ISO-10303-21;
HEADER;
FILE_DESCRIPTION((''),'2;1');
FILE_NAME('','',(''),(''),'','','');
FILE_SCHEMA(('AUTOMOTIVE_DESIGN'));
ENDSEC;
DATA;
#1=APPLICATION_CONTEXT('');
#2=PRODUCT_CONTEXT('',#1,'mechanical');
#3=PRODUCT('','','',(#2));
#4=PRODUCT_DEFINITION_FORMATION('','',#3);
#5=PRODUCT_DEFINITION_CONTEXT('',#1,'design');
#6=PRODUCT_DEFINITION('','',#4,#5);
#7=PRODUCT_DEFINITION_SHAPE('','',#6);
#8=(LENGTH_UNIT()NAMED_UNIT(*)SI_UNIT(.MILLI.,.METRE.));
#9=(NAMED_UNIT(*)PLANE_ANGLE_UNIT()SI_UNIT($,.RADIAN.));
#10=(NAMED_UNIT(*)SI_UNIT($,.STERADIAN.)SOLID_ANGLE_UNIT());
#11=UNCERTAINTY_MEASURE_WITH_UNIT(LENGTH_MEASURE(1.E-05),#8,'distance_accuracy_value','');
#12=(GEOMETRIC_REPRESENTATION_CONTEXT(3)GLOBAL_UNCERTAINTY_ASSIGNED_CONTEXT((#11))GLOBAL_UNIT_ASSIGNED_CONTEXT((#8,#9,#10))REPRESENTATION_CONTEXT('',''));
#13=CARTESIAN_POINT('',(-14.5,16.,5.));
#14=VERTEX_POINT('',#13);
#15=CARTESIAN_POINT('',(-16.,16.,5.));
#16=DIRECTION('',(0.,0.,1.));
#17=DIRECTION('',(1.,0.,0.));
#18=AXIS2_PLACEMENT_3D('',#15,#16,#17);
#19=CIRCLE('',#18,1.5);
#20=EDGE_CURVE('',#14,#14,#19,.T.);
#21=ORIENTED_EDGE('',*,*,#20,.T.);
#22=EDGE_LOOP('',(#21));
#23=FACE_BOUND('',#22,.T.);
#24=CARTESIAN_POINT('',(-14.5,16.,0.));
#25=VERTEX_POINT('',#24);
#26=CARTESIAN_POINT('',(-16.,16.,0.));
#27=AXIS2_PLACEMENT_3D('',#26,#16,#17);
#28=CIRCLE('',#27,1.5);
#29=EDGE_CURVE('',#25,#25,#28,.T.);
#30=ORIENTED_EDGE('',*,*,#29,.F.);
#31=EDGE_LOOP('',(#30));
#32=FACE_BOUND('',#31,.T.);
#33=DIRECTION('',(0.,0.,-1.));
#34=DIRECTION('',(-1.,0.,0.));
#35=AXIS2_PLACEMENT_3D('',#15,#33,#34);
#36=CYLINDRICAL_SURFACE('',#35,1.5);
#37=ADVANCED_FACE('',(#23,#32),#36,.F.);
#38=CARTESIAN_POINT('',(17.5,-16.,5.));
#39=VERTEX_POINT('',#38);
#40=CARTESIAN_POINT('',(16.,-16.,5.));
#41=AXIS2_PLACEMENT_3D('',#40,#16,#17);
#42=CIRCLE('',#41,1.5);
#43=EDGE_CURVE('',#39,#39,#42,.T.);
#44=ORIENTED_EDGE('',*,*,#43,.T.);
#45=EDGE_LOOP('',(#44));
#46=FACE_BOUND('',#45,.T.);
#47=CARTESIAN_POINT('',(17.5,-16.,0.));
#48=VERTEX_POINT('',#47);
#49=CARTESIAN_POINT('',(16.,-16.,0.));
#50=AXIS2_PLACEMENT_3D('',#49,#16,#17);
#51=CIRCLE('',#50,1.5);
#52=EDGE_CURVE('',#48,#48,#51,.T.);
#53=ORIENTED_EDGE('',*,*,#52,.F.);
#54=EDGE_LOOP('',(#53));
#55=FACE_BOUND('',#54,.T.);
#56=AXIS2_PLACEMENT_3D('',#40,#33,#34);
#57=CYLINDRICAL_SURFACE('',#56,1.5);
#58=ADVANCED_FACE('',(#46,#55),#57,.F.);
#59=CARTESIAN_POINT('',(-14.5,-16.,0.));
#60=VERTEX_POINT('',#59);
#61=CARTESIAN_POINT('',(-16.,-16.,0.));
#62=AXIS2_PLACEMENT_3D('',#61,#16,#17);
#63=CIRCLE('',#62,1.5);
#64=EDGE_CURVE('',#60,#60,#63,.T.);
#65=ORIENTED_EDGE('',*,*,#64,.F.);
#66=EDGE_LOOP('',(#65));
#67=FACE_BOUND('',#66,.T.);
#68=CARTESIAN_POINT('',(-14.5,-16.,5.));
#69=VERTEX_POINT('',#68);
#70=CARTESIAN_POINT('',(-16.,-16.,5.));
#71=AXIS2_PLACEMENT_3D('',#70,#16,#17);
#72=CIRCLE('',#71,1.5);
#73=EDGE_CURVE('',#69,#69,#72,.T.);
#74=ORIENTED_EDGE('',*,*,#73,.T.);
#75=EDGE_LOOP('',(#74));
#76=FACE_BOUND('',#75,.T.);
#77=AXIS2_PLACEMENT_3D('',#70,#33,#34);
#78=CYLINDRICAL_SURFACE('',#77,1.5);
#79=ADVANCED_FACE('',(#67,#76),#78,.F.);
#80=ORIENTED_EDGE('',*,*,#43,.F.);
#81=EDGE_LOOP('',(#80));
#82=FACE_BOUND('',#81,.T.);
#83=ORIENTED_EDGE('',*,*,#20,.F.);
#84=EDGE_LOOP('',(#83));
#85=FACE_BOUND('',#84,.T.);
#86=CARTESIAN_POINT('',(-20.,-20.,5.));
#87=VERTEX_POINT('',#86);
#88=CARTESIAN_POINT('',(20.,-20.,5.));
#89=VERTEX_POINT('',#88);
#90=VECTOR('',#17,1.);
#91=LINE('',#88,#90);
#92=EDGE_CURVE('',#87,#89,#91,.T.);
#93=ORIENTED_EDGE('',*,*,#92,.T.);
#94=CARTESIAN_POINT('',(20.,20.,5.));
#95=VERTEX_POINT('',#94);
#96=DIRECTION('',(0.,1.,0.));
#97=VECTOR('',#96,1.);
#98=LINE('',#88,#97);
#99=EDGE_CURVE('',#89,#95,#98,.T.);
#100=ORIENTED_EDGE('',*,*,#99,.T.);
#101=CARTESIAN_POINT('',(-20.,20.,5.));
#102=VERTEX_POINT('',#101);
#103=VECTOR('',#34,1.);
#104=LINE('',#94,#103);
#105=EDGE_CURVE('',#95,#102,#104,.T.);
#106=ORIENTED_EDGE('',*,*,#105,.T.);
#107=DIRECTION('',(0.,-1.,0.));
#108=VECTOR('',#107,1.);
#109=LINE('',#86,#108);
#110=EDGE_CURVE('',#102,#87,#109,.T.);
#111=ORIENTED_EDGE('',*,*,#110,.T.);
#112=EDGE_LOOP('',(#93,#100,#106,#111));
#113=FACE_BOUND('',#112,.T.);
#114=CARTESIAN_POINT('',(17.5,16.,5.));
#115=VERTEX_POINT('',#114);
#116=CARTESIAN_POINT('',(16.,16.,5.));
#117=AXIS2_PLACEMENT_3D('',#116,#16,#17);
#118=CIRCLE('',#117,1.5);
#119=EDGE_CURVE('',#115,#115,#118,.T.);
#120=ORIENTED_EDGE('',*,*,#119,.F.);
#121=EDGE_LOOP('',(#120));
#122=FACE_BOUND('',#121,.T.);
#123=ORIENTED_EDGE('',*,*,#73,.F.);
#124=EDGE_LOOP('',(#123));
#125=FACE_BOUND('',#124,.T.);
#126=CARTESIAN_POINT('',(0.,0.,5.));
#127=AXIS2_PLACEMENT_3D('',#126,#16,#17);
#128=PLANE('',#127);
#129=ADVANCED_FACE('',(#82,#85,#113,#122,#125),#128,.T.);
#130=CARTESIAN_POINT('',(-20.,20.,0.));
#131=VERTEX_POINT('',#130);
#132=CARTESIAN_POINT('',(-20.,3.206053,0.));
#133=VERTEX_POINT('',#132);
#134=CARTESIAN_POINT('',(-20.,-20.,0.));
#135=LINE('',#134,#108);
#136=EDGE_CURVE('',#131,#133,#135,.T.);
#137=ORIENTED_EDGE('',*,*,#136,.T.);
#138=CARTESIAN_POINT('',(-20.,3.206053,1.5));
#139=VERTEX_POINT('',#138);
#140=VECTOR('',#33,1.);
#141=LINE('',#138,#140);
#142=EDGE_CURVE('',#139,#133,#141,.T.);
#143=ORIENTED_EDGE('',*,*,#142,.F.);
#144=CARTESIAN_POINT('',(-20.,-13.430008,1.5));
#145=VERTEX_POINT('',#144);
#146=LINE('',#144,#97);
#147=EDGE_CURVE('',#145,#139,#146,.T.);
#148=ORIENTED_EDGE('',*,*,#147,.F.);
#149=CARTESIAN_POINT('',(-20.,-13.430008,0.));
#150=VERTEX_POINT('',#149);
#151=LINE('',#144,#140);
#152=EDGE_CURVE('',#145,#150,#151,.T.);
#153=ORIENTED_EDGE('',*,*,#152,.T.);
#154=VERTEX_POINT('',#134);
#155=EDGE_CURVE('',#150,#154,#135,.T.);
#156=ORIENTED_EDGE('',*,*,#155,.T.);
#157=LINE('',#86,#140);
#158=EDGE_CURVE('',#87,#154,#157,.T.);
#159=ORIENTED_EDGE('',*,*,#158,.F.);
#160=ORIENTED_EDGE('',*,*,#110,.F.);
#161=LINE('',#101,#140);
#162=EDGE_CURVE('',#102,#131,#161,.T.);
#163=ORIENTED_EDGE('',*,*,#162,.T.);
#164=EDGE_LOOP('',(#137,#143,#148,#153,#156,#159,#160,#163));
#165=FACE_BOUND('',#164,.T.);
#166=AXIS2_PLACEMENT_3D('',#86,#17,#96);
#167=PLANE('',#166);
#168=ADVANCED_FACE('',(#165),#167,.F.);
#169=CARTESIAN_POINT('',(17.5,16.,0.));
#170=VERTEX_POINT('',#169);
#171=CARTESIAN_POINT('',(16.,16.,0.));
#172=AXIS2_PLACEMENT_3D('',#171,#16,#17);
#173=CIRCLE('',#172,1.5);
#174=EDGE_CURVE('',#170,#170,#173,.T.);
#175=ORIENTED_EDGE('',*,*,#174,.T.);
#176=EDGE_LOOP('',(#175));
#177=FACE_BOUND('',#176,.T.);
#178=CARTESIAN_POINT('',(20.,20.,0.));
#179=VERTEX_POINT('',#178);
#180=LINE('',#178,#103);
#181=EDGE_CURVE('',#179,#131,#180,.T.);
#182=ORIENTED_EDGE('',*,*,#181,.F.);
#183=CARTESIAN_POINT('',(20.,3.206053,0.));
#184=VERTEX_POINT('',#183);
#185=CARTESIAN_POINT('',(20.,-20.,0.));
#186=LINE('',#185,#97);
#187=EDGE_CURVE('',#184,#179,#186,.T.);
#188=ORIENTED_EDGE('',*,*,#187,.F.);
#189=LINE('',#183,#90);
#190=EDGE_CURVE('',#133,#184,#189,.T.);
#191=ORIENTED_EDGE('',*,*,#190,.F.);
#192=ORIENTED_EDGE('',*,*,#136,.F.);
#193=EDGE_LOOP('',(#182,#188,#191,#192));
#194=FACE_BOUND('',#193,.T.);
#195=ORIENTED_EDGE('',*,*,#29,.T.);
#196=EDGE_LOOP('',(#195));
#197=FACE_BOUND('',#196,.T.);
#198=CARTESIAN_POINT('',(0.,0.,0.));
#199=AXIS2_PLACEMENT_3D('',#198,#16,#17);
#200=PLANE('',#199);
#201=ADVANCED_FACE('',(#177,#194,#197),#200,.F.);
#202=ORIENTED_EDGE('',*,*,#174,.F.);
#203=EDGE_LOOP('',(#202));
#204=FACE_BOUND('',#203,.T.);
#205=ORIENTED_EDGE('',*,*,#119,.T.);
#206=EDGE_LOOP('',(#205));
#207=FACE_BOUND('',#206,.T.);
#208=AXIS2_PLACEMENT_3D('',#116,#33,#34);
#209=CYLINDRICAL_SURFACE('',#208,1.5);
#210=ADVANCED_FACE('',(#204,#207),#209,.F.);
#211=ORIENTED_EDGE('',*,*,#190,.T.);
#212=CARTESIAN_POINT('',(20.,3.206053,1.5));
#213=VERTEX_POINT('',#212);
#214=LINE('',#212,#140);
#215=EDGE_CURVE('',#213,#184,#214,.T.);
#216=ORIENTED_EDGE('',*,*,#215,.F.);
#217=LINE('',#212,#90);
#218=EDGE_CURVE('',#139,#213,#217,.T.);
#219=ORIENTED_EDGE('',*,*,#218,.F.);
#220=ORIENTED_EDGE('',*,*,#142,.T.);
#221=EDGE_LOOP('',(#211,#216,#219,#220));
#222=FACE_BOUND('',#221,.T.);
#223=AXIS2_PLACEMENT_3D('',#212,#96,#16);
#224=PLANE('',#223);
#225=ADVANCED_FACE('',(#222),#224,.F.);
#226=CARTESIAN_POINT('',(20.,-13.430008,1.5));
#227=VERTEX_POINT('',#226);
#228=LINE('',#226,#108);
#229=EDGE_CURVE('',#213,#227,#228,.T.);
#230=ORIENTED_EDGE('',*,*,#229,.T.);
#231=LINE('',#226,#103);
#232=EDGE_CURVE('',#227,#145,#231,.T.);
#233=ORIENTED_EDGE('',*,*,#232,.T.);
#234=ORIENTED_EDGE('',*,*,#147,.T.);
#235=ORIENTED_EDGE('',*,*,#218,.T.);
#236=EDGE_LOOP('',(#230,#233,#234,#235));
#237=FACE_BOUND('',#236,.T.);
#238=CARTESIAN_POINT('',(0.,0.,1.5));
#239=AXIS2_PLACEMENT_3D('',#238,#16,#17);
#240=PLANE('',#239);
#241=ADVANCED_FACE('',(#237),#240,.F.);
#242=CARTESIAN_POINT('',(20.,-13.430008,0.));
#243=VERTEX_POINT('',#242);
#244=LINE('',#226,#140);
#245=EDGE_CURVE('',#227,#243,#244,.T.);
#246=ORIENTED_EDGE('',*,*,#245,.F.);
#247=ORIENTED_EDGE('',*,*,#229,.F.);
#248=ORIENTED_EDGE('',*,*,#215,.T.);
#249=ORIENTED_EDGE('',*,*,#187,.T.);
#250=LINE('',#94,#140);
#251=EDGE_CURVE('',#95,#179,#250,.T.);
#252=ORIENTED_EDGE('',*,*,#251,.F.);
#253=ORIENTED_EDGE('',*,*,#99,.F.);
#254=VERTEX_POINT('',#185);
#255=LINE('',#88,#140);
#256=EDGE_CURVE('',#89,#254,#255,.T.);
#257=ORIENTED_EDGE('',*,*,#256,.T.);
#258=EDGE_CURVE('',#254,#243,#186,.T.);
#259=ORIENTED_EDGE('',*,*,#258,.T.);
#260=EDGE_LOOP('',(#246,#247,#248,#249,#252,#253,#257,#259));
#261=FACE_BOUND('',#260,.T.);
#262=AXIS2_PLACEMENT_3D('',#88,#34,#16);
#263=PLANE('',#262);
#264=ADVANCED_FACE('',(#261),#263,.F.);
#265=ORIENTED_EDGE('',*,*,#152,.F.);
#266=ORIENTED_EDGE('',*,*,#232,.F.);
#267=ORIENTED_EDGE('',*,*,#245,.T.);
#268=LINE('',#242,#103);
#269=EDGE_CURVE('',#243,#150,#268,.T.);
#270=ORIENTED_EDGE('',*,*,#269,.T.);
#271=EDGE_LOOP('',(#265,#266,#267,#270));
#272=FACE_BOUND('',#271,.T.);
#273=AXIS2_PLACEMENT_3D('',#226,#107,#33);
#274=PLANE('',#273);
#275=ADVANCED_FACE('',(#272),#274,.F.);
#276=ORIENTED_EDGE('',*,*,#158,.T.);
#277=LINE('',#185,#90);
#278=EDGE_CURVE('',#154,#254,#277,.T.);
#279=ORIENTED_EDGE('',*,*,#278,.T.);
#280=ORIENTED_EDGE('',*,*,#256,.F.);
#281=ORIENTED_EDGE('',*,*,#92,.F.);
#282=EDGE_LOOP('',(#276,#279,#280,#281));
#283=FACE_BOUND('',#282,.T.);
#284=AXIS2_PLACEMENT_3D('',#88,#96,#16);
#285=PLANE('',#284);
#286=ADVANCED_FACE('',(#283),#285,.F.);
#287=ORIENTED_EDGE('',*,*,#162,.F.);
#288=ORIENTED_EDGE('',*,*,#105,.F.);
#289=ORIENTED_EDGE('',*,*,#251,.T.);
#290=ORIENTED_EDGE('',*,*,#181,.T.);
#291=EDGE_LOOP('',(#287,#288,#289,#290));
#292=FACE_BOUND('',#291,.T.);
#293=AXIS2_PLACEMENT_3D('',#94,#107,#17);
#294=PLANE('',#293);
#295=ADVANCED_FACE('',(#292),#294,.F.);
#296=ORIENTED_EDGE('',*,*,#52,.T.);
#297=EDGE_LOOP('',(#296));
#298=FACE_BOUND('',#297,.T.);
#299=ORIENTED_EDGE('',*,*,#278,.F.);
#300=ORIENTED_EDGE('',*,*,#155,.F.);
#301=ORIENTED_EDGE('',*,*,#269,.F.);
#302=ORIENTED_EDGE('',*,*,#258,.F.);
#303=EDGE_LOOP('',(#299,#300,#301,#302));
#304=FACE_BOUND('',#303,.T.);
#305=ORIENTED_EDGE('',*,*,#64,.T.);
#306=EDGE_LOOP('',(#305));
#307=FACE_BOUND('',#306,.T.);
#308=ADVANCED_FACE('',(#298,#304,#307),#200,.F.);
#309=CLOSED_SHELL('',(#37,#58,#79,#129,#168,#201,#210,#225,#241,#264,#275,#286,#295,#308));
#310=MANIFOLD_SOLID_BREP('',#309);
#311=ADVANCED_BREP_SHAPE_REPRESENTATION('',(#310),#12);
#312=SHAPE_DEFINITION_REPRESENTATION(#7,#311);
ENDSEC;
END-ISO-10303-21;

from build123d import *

# Parameters (mm, degrees)
SKETCH1_W           = 40
SKETCH1_H           = 40
SKETCH1_R           = 1.5
BOSS_EXTRUDE1_DEPTH = 5
SKETCH3_W           = 40
SKETCH3_H           = 16.636061704
CUT_EXTRUDE1_DEPTH  = 1.5


with BuildPart() as part:
    # Sketch1 → Boss-Extrude1 (new body)
    with BuildSketch(Plane.XY):
        Rectangle(SKETCH1_W, SKETCH1_H)
        with Locations((-16, 16)):
            Circle(SKETCH1_R, mode=Mode.SUBTRACT)
        with Locations((16, 16)):
            Circle(SKETCH1_R, mode=Mode.SUBTRACT)
        with Locations((-16, -16)):
            Circle(SKETCH1_R, mode=Mode.SUBTRACT)
        with Locations((16, -16)):
            Circle(SKETCH1_R, mode=Mode.SUBTRACT)
    extrude(amount=BOSS_EXTRUDE1_DEPTH)

    # Sketch3 → Cut-Extrude1 (cut)
    with BuildSketch(Plane(origin=(0, 0, 0), x_dir=(-1, 0, 0), z_dir=(0, 0, -1))):
        with Locations((0, -5.111977567)):
            Rectangle(SKETCH3_W, SKETCH3_H)
    extrude(amount=-CUT_EXTRUDE1_DEPTH, mode=Mode.SUBTRACT)


solid = part.part
